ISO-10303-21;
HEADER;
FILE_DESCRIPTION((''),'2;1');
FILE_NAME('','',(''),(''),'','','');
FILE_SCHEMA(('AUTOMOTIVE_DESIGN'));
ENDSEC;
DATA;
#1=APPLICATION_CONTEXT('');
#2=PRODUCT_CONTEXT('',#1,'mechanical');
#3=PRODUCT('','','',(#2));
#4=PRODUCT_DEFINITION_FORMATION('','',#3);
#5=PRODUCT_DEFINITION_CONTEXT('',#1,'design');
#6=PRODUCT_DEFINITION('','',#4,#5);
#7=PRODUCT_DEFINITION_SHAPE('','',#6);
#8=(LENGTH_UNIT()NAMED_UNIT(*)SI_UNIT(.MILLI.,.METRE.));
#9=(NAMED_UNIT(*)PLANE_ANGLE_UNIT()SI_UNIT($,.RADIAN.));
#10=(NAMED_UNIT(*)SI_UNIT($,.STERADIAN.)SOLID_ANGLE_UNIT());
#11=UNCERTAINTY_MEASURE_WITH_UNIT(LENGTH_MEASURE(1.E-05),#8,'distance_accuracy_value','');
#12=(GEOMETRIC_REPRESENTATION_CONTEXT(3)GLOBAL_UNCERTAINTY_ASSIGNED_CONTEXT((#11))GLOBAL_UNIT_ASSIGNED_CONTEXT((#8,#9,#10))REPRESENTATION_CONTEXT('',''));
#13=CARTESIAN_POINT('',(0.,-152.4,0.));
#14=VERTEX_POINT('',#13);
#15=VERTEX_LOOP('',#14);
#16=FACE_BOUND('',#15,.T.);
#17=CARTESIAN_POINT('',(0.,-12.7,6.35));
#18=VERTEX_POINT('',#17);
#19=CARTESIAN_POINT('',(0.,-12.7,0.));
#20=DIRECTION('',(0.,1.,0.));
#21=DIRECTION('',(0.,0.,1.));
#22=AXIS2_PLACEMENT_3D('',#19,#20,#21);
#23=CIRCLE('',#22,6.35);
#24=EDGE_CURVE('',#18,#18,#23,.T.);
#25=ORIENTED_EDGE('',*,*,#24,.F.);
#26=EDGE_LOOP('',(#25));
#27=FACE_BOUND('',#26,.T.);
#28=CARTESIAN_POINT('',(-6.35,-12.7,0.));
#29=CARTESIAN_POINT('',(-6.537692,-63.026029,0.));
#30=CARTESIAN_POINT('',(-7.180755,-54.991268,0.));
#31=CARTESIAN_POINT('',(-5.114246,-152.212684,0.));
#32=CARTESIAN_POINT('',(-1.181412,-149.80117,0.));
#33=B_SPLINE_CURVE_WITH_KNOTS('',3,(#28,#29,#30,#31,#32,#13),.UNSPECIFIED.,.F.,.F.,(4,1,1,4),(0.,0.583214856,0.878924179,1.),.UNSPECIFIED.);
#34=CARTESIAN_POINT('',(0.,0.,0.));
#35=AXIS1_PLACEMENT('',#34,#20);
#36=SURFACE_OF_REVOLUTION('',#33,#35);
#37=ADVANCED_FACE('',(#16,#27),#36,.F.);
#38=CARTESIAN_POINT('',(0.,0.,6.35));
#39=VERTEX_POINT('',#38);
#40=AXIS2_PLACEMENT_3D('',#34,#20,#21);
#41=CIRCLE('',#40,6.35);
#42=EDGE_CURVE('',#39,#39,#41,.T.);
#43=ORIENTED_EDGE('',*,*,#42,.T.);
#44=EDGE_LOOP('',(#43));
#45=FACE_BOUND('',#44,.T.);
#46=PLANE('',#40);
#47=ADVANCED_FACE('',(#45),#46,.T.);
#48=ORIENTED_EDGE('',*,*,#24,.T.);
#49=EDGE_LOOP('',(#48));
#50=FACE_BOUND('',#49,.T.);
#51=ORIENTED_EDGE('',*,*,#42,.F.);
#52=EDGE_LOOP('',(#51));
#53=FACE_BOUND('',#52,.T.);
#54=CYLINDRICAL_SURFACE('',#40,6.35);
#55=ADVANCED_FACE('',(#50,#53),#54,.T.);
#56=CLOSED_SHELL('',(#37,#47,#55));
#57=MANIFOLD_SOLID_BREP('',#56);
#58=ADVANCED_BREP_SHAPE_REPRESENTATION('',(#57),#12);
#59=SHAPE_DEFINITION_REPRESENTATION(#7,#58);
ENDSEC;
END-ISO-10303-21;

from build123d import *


with BuildPart() as part:
    # Sketch1 → Revolve1 (revolve)
    with BuildSketch(Plane.XY):
        with BuildLine():
            Line((0, 0), (0, -152.4))
            add(Edge.make_bspline(
                [(0, -152.4), (-1.181412375, -149.801170135), (-5.114246261, -152.212684002), (-7.180755218, -54.991267517), (-6.537691989, -63.026029267), (-6.35, -12.7)],
                knots=[0, 0, 0, 0, 0.121075821, 0.416785144, 1, 1, 1, 1], degree=3))
            Line((-6.35, -12.7), (-6.35, 0))
            Line((-6.35, 0), (0, 0))
        make_face()
    revolve(axis=Axis((0, 0, 0), (0, -1, 0)))


solid = part.part
